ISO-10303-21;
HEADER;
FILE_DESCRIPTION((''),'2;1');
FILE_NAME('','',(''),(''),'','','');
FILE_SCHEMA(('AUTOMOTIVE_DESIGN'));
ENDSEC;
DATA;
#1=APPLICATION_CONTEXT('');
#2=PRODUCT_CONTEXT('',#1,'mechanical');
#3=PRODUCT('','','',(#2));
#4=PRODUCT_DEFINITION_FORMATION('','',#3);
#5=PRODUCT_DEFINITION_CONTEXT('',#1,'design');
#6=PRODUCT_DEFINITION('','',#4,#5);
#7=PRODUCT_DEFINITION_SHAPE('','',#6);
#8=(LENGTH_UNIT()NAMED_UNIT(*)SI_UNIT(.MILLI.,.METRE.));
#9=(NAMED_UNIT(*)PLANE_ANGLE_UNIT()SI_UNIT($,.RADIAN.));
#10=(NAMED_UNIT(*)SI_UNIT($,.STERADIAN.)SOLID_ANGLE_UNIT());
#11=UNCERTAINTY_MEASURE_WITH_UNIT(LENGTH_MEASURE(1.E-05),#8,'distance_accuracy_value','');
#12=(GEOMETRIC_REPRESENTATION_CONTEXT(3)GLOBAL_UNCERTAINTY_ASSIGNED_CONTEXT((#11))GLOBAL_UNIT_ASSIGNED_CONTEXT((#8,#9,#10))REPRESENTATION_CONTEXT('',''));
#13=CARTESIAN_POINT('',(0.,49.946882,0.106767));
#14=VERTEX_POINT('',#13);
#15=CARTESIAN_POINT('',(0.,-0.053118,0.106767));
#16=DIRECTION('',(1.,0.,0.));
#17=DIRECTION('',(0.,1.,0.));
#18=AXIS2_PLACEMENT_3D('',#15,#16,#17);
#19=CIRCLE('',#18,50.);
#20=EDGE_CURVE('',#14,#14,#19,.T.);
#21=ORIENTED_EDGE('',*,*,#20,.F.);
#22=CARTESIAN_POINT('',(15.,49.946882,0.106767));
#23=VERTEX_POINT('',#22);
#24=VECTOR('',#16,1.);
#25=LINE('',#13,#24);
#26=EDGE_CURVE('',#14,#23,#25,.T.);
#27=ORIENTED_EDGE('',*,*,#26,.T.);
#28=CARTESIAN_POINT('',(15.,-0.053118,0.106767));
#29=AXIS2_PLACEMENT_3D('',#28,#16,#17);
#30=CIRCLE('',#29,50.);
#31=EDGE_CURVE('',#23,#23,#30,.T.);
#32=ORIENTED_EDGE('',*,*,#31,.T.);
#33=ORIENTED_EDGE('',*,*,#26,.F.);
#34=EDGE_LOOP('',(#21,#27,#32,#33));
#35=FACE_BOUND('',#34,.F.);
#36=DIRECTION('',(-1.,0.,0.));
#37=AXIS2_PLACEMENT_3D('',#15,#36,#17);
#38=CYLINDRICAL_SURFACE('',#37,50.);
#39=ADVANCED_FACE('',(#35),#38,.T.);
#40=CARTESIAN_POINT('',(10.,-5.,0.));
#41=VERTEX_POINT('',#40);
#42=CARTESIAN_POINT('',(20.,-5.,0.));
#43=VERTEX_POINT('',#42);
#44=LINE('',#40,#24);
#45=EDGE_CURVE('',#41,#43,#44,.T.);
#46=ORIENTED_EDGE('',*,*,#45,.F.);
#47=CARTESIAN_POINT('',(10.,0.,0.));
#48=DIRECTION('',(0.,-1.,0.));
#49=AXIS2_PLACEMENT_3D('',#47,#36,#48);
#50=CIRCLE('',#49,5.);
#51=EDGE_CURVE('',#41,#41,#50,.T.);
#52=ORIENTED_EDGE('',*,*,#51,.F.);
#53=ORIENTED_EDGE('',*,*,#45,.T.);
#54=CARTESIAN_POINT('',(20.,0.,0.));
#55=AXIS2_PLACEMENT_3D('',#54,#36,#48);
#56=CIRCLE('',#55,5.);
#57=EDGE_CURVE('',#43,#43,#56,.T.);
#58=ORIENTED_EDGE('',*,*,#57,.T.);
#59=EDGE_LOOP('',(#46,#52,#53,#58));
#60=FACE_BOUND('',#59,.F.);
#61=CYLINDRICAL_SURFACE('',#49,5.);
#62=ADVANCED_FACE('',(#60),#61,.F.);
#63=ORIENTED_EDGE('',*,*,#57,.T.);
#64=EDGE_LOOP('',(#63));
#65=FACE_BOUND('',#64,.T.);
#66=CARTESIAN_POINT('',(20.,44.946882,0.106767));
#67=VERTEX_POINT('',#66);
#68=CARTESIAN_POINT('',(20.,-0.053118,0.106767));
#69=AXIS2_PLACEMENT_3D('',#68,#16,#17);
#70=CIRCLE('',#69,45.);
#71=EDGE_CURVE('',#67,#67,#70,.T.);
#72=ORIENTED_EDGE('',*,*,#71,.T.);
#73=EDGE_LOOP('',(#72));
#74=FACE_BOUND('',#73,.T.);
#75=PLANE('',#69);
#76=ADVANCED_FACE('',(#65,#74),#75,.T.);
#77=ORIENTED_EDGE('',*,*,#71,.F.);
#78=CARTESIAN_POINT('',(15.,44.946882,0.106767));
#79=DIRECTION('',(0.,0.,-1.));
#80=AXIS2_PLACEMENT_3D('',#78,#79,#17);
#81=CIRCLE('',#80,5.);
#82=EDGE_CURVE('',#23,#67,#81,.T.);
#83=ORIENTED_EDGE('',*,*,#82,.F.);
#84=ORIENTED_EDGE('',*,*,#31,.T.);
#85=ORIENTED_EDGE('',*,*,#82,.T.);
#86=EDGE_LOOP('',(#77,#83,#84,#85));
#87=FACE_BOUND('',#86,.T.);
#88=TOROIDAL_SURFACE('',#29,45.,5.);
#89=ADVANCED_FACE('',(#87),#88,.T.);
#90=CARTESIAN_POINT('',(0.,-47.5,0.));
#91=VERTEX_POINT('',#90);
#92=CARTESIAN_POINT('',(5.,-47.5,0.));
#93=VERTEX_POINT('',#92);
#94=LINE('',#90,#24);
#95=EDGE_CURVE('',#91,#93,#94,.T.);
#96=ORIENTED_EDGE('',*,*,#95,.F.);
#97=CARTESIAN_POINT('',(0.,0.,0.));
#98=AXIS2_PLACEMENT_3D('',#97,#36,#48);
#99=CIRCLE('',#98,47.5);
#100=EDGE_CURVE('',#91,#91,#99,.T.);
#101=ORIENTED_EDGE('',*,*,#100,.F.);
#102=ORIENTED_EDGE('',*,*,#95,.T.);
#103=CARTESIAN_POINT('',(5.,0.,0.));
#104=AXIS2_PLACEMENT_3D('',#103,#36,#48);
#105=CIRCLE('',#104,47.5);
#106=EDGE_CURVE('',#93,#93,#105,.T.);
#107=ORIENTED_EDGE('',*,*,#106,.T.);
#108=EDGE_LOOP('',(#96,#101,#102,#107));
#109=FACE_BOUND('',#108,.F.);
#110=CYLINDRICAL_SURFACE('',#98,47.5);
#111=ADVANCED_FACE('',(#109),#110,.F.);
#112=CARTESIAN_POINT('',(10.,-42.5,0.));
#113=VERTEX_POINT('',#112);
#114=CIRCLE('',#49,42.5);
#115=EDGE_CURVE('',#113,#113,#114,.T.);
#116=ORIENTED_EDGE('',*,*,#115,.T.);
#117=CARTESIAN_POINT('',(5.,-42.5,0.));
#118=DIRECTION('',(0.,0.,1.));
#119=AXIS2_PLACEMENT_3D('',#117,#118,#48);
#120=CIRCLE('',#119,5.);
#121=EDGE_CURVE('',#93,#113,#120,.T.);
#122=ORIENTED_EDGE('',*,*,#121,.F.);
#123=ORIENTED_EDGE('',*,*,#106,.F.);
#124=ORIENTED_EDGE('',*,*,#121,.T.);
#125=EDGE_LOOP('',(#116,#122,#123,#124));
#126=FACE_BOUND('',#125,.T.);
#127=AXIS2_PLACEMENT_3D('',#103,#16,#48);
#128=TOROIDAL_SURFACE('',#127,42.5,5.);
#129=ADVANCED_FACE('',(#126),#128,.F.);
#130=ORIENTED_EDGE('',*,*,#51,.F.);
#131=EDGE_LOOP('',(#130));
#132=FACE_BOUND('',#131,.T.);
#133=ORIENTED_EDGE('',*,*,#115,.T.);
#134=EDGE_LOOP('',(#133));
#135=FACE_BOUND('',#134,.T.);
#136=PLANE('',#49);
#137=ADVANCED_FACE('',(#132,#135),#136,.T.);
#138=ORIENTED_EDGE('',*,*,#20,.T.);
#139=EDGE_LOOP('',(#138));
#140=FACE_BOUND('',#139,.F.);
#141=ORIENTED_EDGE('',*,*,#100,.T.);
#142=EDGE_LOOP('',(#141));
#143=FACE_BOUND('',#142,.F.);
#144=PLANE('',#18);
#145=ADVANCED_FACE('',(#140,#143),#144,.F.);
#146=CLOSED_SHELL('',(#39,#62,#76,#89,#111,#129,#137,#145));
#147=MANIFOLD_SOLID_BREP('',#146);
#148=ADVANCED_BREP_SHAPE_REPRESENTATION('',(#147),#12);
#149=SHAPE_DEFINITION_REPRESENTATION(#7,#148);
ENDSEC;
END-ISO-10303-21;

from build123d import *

# Parameters (mm, degrees)
F0_R     = 50
F1_DEPTH = 20
F2_R     = 47.5
F3_DEPTH = 10
F4_R     = 5
F5_R     = 5
F6_R     = 5
F7_DEPTH = 25


with BuildPart() as f1:
    # F0 (on Right) → F1 (new body)
    with BuildSketch(Plane.YZ):
        with Locations((-0.053118, 0.106767)):
            Circle(F0_R)
    extrude(amount=F1_DEPTH)

    # F2 (on face) → F3 (cut)
    with BuildSketch(Plane(origin=(0, 0, 0), x_dir=(0, -1, 0), z_dir=(-1, 0, 0))):
        Circle(F2_R)
    extrude(amount=-F3_DEPTH, mode=Mode.SUBTRACT)

    # F4
    f4_edges = [f1.edges().sort_by_distance(p)[0] for p in [
        (10, 47.5, 0),
    ]]
    fillet(f4_edges, radius=F4_R)

    # F5
    f5_edges = [f1.edges().sort_by_distance(p)[0] for p in [
        (10, 42.5, 0),
        (20, -50.053118, 0.106767),
    ]]
    fillet(f5_edges, radius=F5_R)

    # F6 (on face) → F7 (cut)
    with BuildSketch(Plane(origin=(10, 0, 0), x_dir=(0, -1, 0), z_dir=(-1, 0, 0))):
        Circle(F6_R)
    extrude(amount=-F7_DEPTH, mode=Mode.SUBTRACT)


solid = f1.part
